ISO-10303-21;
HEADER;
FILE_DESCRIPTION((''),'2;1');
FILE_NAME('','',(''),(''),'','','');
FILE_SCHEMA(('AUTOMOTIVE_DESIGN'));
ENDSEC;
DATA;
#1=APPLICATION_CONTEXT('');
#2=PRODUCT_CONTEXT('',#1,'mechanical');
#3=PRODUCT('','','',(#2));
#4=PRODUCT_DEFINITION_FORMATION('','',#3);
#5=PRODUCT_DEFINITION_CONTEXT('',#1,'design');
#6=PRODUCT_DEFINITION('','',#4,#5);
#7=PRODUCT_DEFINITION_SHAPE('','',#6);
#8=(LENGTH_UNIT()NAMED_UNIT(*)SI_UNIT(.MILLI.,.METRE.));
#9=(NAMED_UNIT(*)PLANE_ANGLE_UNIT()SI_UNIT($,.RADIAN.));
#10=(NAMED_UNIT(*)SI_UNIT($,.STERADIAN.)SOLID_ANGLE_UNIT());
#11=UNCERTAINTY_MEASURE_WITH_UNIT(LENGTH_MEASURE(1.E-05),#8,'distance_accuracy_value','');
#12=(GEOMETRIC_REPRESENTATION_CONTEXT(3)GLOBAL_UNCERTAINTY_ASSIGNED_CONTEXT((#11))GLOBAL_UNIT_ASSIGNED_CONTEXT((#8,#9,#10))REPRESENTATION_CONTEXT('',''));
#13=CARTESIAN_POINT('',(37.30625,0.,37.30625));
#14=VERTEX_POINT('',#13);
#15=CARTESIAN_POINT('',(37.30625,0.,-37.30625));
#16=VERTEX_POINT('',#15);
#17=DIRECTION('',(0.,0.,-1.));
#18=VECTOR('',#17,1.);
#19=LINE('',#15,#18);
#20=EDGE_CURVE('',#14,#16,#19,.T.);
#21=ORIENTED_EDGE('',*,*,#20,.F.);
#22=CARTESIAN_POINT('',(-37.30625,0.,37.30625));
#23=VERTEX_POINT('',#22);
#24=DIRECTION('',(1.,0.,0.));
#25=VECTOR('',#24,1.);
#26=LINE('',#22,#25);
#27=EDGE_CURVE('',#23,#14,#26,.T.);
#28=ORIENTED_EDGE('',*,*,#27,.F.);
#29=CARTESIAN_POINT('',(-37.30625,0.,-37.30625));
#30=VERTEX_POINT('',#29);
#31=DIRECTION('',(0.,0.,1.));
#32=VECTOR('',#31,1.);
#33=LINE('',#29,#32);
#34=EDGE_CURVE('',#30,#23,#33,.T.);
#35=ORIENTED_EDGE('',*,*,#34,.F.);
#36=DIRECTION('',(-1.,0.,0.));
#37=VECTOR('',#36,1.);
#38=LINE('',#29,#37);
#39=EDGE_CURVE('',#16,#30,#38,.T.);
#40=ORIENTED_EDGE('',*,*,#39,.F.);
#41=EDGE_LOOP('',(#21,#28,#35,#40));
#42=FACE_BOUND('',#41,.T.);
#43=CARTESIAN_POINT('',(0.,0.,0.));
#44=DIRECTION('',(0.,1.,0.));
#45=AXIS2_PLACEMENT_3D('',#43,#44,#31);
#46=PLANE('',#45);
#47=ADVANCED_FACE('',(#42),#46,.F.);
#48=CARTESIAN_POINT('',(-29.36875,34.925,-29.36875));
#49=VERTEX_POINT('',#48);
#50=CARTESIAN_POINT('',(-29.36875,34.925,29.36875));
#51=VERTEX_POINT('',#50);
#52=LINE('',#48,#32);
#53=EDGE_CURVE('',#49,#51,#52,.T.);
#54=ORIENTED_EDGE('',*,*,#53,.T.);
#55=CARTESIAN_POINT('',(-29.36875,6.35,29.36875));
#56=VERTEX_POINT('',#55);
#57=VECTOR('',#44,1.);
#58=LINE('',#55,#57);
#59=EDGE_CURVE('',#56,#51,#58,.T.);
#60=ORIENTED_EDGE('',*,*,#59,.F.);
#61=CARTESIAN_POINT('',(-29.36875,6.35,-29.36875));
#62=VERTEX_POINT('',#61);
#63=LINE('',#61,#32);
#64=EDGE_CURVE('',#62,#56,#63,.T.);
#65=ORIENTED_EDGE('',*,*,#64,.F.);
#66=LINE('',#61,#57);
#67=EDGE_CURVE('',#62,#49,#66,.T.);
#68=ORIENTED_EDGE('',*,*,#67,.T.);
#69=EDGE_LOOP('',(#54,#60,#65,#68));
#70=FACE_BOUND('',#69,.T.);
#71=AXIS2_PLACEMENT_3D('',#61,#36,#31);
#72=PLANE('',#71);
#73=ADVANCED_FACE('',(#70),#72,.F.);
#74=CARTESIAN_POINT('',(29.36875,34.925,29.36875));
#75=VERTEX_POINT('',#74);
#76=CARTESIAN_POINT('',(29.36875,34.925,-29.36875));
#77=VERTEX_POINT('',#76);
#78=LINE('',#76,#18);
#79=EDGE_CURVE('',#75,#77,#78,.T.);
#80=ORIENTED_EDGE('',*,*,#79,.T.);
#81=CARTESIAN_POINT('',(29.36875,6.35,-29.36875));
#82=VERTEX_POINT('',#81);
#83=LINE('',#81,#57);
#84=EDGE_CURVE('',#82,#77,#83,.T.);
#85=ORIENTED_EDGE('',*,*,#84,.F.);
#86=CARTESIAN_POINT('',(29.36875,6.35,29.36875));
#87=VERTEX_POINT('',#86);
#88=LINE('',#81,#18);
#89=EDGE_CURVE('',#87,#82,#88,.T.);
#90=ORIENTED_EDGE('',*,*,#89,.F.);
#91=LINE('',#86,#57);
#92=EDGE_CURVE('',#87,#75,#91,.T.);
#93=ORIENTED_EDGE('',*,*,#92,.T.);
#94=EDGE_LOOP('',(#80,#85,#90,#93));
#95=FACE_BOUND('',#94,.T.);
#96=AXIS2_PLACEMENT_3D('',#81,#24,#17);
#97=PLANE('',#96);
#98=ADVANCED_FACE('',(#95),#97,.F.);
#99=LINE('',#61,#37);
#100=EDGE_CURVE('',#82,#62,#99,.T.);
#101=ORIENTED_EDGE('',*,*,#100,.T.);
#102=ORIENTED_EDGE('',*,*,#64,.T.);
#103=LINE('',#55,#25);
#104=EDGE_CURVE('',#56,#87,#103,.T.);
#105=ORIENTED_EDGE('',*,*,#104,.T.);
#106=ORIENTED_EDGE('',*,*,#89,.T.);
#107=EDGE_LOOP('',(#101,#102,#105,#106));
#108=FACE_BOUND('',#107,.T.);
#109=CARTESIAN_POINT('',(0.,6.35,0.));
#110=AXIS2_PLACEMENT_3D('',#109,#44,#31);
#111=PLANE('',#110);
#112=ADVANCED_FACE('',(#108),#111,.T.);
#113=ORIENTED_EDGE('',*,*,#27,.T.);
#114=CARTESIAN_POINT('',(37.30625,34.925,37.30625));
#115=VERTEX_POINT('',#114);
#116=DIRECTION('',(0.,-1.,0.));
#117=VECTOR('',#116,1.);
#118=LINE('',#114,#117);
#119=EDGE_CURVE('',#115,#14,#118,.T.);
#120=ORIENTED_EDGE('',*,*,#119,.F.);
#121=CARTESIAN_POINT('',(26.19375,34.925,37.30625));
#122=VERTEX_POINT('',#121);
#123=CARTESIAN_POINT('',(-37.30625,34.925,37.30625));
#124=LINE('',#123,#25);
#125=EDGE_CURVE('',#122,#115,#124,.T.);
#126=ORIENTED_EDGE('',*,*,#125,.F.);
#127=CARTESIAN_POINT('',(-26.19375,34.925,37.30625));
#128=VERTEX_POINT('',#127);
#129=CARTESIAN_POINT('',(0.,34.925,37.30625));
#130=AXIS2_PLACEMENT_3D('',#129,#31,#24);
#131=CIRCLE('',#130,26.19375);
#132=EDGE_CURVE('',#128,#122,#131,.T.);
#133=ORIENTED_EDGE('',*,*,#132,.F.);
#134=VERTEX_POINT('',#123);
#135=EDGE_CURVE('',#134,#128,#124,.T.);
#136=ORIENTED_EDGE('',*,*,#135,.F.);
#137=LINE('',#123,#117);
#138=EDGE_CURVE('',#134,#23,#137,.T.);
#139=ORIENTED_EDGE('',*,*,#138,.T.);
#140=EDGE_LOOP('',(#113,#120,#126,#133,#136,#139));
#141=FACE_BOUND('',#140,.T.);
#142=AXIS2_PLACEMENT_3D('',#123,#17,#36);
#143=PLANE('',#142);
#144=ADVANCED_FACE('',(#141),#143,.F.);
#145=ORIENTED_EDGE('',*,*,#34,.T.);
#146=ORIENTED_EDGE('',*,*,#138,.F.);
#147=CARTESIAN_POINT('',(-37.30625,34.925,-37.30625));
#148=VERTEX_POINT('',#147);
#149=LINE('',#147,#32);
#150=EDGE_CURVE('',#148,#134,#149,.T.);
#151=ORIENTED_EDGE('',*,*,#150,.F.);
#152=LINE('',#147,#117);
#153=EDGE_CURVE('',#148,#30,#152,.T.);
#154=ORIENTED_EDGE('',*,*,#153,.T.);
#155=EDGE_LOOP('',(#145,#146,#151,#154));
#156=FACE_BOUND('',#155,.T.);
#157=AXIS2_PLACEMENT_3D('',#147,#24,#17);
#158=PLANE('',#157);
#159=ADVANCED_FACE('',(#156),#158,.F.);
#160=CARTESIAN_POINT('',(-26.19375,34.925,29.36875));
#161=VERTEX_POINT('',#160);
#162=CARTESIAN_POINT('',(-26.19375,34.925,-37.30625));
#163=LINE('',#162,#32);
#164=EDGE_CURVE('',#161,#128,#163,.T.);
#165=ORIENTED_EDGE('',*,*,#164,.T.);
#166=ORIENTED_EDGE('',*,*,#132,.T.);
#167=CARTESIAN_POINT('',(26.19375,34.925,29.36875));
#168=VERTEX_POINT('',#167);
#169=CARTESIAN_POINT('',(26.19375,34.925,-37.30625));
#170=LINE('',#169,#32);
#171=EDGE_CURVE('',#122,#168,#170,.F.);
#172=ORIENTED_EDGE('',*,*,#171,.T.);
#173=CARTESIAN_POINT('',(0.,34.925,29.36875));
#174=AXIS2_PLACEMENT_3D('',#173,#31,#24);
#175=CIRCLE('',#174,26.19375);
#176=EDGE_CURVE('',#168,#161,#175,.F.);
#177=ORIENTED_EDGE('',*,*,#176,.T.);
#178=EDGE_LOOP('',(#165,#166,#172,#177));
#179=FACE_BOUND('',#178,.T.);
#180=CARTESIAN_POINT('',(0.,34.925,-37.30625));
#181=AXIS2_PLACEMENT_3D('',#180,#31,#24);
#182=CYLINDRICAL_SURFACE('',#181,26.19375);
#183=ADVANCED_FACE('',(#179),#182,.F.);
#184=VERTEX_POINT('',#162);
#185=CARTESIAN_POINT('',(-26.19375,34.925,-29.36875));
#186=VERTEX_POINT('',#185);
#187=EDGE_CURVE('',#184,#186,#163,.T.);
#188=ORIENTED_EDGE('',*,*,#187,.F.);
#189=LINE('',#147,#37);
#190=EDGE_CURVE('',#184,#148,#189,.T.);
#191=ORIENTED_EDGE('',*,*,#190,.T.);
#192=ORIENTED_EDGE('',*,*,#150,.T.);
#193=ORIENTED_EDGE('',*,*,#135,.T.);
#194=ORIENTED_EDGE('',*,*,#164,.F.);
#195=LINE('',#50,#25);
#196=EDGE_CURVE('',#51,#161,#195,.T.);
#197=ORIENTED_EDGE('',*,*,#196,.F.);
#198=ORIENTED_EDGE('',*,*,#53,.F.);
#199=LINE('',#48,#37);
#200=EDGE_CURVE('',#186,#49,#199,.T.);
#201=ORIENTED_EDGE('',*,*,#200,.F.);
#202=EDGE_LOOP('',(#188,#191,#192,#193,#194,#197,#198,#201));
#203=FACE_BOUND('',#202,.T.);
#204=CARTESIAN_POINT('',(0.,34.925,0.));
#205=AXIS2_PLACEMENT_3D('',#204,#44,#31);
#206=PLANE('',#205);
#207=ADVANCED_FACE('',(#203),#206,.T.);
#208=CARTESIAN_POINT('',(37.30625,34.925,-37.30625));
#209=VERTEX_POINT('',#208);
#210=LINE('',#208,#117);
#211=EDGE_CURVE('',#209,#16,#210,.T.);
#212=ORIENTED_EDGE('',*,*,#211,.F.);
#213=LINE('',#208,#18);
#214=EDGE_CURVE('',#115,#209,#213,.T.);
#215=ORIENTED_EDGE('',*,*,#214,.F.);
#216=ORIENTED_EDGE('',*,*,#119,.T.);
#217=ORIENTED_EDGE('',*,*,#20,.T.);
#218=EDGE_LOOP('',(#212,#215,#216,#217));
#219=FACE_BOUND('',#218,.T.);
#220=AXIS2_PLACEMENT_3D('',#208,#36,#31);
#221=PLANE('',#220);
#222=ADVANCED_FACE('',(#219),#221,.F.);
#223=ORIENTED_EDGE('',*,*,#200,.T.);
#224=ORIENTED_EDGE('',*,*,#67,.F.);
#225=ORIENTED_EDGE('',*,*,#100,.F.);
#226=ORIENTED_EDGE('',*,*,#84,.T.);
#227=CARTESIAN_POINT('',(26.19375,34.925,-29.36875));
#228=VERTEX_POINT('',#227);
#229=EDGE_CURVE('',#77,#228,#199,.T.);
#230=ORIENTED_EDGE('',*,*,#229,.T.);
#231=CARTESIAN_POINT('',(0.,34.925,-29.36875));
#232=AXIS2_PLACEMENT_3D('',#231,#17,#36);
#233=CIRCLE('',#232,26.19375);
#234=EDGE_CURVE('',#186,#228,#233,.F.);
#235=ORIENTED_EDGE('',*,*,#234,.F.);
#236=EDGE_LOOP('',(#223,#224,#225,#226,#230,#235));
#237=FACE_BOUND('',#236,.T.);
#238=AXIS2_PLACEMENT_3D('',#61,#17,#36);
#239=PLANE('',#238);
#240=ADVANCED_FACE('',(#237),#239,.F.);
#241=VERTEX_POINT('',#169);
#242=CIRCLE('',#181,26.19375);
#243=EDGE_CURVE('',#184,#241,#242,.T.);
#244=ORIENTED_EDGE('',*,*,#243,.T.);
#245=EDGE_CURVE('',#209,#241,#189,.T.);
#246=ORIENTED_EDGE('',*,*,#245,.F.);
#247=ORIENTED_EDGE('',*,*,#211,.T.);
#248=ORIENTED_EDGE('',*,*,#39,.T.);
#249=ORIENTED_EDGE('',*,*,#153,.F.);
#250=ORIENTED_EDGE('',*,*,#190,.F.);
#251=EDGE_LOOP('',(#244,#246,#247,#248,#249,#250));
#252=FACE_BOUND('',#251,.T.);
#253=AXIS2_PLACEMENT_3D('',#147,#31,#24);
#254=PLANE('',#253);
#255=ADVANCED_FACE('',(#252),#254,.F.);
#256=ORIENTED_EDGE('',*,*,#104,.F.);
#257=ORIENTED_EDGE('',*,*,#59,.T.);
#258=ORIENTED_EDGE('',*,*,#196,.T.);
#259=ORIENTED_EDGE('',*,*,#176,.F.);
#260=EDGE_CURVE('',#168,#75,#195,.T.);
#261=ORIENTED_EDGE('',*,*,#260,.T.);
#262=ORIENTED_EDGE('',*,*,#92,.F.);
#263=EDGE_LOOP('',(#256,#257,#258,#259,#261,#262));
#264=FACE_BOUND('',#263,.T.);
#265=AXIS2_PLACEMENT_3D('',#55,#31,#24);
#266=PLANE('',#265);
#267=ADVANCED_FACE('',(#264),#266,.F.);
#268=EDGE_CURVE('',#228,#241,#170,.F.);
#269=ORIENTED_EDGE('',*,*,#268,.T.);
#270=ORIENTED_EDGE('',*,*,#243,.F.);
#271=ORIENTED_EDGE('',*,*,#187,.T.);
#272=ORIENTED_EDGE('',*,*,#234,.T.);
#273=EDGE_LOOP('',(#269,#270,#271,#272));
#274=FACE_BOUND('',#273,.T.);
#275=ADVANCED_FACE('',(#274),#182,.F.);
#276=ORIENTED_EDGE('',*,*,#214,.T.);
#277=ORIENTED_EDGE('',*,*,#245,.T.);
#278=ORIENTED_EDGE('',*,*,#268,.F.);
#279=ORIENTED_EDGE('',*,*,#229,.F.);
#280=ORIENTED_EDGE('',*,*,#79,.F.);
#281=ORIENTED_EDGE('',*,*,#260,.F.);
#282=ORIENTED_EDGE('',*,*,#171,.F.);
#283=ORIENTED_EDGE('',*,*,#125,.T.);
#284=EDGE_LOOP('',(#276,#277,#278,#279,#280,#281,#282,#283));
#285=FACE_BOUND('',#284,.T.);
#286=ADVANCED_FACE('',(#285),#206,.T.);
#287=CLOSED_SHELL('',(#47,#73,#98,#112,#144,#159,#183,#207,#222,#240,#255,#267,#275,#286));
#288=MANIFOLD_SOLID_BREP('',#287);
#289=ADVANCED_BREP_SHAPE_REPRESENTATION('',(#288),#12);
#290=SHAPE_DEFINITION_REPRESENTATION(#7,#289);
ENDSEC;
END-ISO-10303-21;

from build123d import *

# Parameters (mm, degrees)
SKETCH1_W           = 74.6125
SKETCH1_H           = 74.6125
BOSS_EXTRUDE1_DEPTH = 34.925
SKETCH2_R           = 26.19375
CUT_EXTRUDE1_DEPTH  = 91.435264528
SKETCH3_W           = 58.7375
SKETCH3_H           = 58.7375
CUT_EXTRUDE2_DEPTH  = 28.575


with BuildPart() as part:
    # Sketch1 → Boss-Extrude1 (new body)
    with BuildSketch(Plane(origin=(0, 0, 0), x_dir=(1, 0, 0), z_dir=(0, 1, 0))):
        Rectangle(SKETCH1_W, SKETCH1_H)
    extrude(amount=BOSS_EXTRUDE1_DEPTH)

    # Sketch2 → Cut-Extrude1 (cut, through all)
    with BuildSketch(Plane.XY.offset(37.30625)):
        with Locations((0, 34.925)):
            Circle(SKETCH2_R)
    extrude(amount=-CUT_EXTRUDE1_DEPTH, mode=Mode.SUBTRACT)

    # Sketch3 → Cut-Extrude2 (cut)
    with BuildSketch(Plane(origin=(0, 34.925, 0), x_dir=(1, 0, 0), z_dir=(0, 1, 0))):
        Rectangle(SKETCH3_W, SKETCH3_H)
    extrude(amount=-CUT_EXTRUDE2_DEPTH, mode=Mode.SUBTRACT)


solid = part.part
